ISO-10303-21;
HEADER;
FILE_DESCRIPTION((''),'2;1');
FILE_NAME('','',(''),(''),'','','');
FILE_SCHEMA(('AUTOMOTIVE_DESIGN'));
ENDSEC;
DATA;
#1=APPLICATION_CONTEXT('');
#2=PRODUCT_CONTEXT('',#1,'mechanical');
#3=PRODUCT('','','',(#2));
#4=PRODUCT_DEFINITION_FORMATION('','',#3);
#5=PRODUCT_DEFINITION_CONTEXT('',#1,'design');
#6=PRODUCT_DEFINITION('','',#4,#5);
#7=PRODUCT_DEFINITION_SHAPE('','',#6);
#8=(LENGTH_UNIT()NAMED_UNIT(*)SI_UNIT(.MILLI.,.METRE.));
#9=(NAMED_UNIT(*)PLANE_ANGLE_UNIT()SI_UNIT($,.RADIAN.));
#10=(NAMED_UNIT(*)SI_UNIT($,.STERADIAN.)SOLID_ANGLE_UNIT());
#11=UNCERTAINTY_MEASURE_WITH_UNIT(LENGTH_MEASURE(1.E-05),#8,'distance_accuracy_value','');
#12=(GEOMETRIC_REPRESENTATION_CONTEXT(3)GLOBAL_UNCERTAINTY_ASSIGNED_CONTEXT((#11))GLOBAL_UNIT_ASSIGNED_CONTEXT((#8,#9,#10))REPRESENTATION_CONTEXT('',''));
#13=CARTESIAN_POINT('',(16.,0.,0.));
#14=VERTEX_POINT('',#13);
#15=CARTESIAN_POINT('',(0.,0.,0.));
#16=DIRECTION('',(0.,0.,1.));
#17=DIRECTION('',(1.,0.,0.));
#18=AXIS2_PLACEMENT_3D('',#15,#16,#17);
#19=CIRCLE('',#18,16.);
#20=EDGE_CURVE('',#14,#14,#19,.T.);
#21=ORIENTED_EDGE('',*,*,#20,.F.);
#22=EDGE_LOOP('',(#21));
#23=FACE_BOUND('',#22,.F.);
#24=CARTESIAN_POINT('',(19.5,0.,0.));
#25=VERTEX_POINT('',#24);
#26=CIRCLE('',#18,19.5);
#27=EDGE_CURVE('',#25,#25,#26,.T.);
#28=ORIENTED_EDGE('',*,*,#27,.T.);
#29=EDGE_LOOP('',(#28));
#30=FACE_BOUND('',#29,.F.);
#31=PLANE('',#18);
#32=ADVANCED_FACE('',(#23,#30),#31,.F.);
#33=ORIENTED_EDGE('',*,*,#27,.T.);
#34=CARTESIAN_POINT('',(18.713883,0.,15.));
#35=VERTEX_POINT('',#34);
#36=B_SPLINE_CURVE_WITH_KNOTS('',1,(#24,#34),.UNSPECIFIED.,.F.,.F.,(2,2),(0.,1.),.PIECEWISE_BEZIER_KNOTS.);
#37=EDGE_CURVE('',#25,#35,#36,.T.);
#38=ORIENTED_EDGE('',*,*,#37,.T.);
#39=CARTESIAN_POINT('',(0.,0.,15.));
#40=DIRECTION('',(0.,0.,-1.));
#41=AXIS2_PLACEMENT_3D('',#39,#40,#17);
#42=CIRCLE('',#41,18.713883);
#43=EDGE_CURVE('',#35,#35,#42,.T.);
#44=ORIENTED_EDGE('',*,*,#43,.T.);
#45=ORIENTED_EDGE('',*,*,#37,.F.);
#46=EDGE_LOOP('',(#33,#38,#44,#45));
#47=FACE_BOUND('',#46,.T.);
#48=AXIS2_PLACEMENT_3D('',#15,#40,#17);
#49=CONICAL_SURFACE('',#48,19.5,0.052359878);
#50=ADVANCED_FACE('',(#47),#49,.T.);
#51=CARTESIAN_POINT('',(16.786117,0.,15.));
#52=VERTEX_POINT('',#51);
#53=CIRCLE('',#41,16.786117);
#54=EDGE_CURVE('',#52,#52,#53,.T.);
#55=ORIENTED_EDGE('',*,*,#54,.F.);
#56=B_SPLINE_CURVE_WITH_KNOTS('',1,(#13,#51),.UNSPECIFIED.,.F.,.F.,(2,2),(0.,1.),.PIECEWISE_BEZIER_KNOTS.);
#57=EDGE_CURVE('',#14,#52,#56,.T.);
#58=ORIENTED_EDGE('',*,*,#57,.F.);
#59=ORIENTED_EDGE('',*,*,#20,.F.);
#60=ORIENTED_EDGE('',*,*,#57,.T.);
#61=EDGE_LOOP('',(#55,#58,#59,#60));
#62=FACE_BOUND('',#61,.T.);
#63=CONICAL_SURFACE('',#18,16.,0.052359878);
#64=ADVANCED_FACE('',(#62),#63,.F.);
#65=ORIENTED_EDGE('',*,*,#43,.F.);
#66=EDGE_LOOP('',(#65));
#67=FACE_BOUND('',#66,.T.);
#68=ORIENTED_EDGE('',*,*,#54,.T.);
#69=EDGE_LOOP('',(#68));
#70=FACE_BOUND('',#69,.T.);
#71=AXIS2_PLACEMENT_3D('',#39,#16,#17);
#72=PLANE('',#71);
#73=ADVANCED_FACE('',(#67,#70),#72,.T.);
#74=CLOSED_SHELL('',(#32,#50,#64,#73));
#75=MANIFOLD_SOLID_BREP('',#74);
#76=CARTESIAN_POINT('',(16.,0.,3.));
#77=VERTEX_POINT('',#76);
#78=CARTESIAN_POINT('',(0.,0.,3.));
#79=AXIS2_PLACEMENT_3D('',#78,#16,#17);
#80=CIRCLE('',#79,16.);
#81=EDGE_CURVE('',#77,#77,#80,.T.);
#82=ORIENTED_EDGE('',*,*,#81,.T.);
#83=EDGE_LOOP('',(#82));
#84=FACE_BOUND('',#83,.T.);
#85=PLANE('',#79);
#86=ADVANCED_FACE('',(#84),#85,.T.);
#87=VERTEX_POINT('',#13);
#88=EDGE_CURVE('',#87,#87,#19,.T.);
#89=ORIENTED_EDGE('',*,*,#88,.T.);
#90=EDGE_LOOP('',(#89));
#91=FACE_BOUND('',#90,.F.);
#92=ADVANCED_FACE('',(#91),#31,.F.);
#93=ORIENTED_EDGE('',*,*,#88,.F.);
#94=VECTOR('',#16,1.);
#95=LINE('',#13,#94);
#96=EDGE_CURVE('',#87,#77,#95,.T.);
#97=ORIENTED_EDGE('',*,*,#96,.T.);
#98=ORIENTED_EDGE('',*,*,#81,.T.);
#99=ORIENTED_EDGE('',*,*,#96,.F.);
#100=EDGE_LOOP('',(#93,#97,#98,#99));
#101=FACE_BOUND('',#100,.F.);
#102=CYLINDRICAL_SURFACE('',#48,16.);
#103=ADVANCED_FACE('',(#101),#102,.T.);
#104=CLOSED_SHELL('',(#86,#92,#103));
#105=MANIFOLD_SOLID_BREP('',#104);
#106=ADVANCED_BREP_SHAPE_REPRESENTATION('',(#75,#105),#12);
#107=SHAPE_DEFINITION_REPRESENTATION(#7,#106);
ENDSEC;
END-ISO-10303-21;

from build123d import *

# Parameters (mm, degrees)
F0_R     = 19.5
F0_R_2   = 16
F1_DEPTH = 15
F1_TAPER = 3
F2_DEPTH = 3


with BuildPart() as f1:
    # F0 (on Top) → F1 (new body)
    with BuildSketch(Plane.XY):
        Circle(F0_R)
        Circle(F0_R_2, mode=Mode.SUBTRACT)
    extrude(amount=F1_DEPTH, taper=F1_TAPER)

    # F0 (on Top) → F2 (join)
    with BuildSketch(Plane.XY):
        Circle(F0_R_2)
    extrude(amount=F2_DEPTH)


solid = f1.part
